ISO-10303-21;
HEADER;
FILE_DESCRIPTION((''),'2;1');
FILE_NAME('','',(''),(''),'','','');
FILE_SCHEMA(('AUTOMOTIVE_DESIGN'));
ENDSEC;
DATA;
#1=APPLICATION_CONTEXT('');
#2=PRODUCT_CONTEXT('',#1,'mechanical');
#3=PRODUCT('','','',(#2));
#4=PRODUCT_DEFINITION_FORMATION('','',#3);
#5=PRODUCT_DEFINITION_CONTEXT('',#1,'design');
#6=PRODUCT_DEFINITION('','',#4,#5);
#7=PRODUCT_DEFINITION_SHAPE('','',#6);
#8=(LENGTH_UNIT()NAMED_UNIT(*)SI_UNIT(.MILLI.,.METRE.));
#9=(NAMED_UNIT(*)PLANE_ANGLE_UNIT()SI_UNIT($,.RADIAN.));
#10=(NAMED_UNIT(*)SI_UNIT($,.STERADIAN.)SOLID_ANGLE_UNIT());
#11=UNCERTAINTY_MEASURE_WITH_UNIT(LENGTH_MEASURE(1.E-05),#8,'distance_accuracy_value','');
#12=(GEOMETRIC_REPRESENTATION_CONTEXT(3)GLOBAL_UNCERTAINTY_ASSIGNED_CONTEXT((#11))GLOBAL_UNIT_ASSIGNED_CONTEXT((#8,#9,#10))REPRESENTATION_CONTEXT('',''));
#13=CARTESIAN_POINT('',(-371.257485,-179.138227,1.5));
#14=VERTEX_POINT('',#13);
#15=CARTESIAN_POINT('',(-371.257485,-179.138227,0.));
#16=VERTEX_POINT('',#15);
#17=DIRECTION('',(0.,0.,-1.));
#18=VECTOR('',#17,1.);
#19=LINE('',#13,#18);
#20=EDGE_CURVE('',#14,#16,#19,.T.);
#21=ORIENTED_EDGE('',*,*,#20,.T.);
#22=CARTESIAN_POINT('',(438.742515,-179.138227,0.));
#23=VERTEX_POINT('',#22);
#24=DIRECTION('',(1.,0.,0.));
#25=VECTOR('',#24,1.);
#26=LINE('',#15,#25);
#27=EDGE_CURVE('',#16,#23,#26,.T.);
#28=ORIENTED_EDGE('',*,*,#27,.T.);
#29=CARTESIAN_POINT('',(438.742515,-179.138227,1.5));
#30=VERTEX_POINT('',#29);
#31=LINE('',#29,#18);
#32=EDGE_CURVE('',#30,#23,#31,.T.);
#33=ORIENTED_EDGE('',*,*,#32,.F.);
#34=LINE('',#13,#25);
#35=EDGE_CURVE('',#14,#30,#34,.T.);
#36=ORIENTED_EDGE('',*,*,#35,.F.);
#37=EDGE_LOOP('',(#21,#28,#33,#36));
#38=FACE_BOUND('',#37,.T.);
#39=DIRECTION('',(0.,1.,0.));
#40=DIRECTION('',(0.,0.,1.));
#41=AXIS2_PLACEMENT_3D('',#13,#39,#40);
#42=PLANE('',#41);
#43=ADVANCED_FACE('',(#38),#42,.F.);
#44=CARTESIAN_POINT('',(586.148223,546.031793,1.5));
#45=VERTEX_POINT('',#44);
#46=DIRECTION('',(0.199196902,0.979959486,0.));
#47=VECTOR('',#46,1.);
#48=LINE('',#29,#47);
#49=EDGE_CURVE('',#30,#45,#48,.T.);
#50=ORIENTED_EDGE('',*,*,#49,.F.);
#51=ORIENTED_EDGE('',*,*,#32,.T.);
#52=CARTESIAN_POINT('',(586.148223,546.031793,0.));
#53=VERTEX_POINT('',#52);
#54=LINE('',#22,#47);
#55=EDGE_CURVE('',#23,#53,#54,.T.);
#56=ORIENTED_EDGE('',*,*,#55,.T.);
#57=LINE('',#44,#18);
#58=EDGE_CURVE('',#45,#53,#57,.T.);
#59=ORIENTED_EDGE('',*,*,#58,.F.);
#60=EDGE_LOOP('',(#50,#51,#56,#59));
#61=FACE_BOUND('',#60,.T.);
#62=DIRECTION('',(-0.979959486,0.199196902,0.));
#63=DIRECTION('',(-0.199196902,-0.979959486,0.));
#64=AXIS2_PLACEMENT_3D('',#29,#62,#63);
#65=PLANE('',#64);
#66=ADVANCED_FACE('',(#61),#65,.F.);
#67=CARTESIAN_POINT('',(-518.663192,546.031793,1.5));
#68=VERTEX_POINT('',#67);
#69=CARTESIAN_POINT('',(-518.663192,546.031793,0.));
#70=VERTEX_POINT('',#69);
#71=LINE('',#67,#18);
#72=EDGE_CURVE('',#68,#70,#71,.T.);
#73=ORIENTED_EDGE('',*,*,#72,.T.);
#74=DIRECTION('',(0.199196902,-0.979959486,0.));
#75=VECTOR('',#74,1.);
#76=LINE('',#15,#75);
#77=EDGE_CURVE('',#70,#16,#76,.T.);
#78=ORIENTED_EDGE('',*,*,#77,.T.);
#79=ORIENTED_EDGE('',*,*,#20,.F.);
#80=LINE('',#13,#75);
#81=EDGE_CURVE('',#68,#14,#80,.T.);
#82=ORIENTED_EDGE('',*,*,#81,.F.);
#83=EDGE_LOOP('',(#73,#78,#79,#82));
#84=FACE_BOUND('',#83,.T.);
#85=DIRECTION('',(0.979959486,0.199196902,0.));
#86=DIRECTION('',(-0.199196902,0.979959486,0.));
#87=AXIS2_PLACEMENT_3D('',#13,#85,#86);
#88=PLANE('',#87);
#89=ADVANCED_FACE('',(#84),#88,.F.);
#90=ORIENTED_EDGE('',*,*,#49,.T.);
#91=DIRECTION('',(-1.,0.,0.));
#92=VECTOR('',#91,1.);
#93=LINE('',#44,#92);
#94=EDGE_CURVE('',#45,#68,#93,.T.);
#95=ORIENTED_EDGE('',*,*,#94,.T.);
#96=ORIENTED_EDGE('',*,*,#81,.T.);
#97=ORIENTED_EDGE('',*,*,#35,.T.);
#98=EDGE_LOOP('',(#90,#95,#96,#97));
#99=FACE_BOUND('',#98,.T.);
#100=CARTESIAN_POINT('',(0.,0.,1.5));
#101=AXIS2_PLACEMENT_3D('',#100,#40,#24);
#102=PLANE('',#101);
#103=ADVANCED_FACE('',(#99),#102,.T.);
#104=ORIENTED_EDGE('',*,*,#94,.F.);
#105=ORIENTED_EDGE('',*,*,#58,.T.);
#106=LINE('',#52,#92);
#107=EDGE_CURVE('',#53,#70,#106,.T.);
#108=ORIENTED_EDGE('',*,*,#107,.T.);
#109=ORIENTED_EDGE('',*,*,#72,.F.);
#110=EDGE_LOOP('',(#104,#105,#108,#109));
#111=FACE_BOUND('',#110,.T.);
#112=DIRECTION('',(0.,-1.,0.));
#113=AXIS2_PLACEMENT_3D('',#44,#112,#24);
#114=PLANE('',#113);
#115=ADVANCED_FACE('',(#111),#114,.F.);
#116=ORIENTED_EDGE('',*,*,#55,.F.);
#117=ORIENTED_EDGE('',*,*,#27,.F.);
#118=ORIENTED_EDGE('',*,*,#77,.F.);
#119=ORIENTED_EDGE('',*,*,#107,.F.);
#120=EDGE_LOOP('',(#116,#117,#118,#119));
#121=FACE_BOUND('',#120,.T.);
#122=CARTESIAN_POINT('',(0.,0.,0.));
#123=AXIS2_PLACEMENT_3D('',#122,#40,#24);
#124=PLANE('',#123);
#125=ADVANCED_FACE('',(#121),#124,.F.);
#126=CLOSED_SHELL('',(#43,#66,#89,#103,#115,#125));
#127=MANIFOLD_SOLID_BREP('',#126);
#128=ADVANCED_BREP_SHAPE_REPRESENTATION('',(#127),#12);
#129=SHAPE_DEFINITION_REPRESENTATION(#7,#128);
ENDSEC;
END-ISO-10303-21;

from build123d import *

# Parameters (mm, degrees)
BOSS_EXTRUDE1_DEPTH = 1.5


with BuildPart() as part:
    # Sketch1 → Boss-Extrude1 (new body)
    with BuildSketch(Plane.XY):
        Polygon((-371.257484536, -179.138226804), (438.742515464, -179.138226804), (586.148223134, 546.031792809), (-518.663192206, 546.031792809), align=None)
    extrude(amount=BOSS_EXTRUDE1_DEPTH)


solid = part.part
